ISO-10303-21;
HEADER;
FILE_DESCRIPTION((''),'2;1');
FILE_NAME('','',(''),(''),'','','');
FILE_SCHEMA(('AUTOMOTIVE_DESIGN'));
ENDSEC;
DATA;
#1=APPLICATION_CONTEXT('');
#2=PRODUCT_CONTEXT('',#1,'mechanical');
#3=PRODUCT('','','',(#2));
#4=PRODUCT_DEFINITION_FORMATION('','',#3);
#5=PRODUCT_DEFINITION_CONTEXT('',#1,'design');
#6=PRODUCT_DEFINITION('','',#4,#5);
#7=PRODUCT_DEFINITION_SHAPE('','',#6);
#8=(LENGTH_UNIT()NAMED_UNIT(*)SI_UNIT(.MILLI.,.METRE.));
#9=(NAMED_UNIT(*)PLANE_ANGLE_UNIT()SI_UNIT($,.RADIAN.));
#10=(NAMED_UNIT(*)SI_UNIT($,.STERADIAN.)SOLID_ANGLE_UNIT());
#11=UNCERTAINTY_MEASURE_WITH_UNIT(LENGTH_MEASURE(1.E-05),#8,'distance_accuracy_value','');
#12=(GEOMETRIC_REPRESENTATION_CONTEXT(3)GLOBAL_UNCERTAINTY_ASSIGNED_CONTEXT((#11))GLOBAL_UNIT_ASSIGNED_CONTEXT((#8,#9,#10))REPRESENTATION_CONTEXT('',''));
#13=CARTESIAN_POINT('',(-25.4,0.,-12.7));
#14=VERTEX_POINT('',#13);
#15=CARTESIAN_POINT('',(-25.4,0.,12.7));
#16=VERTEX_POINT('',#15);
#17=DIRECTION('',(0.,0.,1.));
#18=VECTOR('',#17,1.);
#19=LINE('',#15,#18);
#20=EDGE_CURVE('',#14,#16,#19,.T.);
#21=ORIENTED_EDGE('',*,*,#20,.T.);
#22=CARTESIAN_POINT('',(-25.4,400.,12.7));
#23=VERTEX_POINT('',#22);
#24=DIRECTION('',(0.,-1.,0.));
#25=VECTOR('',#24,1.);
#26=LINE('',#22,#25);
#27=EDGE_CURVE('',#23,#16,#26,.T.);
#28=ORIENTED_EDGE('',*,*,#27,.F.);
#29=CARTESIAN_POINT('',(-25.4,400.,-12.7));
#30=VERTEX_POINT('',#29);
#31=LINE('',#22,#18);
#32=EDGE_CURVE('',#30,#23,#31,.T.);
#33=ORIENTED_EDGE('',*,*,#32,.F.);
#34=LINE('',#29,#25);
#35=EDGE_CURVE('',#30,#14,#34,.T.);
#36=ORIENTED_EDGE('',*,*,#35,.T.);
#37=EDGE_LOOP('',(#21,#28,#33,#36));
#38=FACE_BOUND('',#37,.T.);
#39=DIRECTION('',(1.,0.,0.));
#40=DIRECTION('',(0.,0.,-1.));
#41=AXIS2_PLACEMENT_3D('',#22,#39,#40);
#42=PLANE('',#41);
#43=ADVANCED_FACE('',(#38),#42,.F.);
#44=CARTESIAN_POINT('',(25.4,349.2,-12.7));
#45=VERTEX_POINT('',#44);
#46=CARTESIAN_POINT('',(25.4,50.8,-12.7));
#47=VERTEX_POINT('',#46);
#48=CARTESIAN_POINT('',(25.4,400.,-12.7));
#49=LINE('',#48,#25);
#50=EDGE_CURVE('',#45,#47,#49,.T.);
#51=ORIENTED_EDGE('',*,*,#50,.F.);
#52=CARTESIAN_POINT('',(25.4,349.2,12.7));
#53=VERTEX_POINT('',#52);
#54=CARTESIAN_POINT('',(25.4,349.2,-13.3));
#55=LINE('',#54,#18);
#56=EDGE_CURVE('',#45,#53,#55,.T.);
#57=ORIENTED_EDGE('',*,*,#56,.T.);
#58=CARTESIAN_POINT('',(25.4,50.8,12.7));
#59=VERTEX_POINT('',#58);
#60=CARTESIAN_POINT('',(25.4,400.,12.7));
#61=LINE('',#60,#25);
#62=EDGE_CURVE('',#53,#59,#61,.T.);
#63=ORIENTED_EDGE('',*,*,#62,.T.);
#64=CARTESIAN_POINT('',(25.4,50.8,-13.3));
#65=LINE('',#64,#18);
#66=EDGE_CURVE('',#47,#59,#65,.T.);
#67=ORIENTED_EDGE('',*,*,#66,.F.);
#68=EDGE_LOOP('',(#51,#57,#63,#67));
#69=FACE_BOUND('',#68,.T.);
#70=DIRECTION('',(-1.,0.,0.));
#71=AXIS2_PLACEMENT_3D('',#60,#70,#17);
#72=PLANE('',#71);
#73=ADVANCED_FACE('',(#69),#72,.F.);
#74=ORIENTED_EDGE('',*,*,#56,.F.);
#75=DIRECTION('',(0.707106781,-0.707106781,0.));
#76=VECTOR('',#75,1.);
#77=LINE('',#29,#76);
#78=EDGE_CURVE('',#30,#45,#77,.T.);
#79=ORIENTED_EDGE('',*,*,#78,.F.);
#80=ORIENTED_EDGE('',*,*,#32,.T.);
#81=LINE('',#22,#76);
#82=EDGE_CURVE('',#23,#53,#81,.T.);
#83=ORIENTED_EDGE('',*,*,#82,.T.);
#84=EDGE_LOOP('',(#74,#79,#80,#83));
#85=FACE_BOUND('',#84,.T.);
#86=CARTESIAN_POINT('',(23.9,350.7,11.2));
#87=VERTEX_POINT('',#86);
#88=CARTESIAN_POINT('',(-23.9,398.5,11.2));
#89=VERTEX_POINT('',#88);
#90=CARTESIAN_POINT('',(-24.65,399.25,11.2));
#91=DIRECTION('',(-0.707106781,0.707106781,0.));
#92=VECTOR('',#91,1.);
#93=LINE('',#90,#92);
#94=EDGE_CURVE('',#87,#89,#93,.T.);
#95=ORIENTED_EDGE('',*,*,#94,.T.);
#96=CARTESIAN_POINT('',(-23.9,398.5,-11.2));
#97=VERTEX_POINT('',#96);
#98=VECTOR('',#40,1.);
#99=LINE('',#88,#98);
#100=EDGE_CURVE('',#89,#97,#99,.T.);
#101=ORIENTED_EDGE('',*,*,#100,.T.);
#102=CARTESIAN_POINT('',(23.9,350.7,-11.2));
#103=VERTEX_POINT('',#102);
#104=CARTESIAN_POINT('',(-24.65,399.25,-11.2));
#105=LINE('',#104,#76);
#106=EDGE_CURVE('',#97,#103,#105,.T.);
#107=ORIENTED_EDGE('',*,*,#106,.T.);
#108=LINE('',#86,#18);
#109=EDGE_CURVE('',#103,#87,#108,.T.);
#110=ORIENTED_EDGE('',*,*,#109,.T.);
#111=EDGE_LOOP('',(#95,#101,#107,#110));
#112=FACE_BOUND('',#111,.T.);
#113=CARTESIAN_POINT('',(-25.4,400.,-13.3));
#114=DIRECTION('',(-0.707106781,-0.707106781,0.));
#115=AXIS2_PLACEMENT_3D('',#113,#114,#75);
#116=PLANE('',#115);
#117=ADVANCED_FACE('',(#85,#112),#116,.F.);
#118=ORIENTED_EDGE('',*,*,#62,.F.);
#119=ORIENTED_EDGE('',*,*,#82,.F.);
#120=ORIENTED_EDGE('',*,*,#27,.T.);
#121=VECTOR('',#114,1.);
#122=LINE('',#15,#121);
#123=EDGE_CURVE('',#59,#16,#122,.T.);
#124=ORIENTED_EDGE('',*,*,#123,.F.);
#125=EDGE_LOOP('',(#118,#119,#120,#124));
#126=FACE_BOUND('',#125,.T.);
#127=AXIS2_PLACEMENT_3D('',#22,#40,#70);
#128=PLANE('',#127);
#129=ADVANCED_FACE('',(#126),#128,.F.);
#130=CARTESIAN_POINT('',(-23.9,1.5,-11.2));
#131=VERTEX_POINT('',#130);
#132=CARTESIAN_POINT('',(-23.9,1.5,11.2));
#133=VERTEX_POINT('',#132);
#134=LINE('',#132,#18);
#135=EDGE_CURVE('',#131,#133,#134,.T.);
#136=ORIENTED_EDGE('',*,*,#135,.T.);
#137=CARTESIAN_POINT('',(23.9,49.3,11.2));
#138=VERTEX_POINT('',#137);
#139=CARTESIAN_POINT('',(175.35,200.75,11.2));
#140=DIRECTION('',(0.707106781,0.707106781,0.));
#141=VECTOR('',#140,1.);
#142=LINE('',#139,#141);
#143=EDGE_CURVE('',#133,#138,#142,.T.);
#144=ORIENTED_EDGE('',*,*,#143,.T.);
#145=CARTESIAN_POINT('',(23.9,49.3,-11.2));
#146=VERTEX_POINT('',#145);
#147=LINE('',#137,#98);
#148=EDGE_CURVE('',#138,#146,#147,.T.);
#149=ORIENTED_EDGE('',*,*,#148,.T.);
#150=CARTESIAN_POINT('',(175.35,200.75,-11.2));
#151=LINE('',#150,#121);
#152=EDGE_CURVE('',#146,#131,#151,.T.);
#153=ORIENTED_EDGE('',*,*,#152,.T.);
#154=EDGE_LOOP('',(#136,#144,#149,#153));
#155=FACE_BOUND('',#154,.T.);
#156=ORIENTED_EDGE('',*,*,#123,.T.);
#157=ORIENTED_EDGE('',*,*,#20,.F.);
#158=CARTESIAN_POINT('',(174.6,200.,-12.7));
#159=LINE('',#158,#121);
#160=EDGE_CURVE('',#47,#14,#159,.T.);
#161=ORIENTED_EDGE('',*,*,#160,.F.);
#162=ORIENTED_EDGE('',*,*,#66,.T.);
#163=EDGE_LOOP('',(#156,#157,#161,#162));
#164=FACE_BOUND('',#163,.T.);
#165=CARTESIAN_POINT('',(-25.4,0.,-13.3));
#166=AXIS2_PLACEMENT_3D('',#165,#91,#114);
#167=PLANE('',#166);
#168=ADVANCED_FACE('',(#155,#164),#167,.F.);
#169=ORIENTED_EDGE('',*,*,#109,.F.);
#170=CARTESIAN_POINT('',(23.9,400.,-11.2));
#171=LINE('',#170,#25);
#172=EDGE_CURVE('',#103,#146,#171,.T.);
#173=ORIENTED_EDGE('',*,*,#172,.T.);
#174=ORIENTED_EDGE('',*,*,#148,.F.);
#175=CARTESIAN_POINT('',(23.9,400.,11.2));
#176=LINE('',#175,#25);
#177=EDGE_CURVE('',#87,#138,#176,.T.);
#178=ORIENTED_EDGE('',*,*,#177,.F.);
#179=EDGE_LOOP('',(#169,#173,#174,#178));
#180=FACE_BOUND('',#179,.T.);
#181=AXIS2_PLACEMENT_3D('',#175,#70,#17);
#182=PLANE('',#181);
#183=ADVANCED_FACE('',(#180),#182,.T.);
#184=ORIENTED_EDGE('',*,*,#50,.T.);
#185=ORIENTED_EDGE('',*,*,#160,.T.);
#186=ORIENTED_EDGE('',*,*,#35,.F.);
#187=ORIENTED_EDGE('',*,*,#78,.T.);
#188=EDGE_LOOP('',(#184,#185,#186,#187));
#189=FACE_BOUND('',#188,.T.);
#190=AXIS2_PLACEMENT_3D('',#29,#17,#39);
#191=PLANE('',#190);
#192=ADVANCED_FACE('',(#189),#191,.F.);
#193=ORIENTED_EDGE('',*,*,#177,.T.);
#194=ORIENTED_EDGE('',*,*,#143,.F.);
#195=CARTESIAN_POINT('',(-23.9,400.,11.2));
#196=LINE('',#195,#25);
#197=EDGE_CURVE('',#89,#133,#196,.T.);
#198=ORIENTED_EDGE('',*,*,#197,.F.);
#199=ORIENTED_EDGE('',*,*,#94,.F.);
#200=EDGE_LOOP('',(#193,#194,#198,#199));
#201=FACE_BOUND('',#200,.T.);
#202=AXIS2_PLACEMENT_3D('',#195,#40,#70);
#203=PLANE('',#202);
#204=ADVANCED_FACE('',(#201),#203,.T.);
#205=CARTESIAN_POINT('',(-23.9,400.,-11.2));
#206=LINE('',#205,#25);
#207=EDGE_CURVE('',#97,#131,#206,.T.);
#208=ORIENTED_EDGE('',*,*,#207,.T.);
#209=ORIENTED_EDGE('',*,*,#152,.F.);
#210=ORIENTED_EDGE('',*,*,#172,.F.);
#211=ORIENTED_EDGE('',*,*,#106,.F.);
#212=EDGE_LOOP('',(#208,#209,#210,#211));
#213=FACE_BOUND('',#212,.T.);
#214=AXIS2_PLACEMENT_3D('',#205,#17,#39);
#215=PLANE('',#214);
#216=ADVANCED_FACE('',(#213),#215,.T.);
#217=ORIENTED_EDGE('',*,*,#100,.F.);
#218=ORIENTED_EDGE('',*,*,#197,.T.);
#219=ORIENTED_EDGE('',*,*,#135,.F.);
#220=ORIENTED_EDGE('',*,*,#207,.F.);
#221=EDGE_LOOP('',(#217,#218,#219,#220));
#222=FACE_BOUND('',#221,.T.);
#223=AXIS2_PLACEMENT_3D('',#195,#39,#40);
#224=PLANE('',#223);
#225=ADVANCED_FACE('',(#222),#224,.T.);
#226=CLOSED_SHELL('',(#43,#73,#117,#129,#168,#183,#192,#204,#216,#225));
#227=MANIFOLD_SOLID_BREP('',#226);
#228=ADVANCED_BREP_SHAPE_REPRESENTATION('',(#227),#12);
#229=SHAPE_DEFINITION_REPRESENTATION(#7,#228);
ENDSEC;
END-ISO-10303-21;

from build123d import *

# Parameters (mm, degrees)
CROQUIS1_W              = 50.8
CROQUIS1_H              = 25.4
CROQUIS1_W_2            = 47.8
CROQUIS1_H_2            = 22.4
SALIENTE_EXTRUIR1_DEPTH = 400
CORTAR_EXTRUIR1_DEPTH   = 26


with BuildPart() as part:
    # Croquis1 → Saliente-Extruir1 (new body)
    with BuildSketch(Plane(origin=(0, 0, 0), x_dir=(1, 0, 0), z_dir=(0, 1, 0))):
        Rectangle(CROQUIS1_W, CROQUIS1_H)
        Rectangle(CROQUIS1_W_2, CROQUIS1_H_2, mode=Mode.SUBTRACT)
    extrude(amount=SALIENTE_EXTRUIR1_DEPTH)

    # Croquis2 → Cortar-Extruir1 (cut)
    with BuildSketch(Plane.XY.offset(12.7)):
        Polygon((-25.4, 0), (25.4, 50.8), (25.4, 0), align=None)
        Polygon((25.4, 400), (-25.4, 400), (25.4, 349.2), align=None)
    extrude(amount=-CORTAR_EXTRUIR1_DEPTH, mode=Mode.SUBTRACT)


solid = part.part
